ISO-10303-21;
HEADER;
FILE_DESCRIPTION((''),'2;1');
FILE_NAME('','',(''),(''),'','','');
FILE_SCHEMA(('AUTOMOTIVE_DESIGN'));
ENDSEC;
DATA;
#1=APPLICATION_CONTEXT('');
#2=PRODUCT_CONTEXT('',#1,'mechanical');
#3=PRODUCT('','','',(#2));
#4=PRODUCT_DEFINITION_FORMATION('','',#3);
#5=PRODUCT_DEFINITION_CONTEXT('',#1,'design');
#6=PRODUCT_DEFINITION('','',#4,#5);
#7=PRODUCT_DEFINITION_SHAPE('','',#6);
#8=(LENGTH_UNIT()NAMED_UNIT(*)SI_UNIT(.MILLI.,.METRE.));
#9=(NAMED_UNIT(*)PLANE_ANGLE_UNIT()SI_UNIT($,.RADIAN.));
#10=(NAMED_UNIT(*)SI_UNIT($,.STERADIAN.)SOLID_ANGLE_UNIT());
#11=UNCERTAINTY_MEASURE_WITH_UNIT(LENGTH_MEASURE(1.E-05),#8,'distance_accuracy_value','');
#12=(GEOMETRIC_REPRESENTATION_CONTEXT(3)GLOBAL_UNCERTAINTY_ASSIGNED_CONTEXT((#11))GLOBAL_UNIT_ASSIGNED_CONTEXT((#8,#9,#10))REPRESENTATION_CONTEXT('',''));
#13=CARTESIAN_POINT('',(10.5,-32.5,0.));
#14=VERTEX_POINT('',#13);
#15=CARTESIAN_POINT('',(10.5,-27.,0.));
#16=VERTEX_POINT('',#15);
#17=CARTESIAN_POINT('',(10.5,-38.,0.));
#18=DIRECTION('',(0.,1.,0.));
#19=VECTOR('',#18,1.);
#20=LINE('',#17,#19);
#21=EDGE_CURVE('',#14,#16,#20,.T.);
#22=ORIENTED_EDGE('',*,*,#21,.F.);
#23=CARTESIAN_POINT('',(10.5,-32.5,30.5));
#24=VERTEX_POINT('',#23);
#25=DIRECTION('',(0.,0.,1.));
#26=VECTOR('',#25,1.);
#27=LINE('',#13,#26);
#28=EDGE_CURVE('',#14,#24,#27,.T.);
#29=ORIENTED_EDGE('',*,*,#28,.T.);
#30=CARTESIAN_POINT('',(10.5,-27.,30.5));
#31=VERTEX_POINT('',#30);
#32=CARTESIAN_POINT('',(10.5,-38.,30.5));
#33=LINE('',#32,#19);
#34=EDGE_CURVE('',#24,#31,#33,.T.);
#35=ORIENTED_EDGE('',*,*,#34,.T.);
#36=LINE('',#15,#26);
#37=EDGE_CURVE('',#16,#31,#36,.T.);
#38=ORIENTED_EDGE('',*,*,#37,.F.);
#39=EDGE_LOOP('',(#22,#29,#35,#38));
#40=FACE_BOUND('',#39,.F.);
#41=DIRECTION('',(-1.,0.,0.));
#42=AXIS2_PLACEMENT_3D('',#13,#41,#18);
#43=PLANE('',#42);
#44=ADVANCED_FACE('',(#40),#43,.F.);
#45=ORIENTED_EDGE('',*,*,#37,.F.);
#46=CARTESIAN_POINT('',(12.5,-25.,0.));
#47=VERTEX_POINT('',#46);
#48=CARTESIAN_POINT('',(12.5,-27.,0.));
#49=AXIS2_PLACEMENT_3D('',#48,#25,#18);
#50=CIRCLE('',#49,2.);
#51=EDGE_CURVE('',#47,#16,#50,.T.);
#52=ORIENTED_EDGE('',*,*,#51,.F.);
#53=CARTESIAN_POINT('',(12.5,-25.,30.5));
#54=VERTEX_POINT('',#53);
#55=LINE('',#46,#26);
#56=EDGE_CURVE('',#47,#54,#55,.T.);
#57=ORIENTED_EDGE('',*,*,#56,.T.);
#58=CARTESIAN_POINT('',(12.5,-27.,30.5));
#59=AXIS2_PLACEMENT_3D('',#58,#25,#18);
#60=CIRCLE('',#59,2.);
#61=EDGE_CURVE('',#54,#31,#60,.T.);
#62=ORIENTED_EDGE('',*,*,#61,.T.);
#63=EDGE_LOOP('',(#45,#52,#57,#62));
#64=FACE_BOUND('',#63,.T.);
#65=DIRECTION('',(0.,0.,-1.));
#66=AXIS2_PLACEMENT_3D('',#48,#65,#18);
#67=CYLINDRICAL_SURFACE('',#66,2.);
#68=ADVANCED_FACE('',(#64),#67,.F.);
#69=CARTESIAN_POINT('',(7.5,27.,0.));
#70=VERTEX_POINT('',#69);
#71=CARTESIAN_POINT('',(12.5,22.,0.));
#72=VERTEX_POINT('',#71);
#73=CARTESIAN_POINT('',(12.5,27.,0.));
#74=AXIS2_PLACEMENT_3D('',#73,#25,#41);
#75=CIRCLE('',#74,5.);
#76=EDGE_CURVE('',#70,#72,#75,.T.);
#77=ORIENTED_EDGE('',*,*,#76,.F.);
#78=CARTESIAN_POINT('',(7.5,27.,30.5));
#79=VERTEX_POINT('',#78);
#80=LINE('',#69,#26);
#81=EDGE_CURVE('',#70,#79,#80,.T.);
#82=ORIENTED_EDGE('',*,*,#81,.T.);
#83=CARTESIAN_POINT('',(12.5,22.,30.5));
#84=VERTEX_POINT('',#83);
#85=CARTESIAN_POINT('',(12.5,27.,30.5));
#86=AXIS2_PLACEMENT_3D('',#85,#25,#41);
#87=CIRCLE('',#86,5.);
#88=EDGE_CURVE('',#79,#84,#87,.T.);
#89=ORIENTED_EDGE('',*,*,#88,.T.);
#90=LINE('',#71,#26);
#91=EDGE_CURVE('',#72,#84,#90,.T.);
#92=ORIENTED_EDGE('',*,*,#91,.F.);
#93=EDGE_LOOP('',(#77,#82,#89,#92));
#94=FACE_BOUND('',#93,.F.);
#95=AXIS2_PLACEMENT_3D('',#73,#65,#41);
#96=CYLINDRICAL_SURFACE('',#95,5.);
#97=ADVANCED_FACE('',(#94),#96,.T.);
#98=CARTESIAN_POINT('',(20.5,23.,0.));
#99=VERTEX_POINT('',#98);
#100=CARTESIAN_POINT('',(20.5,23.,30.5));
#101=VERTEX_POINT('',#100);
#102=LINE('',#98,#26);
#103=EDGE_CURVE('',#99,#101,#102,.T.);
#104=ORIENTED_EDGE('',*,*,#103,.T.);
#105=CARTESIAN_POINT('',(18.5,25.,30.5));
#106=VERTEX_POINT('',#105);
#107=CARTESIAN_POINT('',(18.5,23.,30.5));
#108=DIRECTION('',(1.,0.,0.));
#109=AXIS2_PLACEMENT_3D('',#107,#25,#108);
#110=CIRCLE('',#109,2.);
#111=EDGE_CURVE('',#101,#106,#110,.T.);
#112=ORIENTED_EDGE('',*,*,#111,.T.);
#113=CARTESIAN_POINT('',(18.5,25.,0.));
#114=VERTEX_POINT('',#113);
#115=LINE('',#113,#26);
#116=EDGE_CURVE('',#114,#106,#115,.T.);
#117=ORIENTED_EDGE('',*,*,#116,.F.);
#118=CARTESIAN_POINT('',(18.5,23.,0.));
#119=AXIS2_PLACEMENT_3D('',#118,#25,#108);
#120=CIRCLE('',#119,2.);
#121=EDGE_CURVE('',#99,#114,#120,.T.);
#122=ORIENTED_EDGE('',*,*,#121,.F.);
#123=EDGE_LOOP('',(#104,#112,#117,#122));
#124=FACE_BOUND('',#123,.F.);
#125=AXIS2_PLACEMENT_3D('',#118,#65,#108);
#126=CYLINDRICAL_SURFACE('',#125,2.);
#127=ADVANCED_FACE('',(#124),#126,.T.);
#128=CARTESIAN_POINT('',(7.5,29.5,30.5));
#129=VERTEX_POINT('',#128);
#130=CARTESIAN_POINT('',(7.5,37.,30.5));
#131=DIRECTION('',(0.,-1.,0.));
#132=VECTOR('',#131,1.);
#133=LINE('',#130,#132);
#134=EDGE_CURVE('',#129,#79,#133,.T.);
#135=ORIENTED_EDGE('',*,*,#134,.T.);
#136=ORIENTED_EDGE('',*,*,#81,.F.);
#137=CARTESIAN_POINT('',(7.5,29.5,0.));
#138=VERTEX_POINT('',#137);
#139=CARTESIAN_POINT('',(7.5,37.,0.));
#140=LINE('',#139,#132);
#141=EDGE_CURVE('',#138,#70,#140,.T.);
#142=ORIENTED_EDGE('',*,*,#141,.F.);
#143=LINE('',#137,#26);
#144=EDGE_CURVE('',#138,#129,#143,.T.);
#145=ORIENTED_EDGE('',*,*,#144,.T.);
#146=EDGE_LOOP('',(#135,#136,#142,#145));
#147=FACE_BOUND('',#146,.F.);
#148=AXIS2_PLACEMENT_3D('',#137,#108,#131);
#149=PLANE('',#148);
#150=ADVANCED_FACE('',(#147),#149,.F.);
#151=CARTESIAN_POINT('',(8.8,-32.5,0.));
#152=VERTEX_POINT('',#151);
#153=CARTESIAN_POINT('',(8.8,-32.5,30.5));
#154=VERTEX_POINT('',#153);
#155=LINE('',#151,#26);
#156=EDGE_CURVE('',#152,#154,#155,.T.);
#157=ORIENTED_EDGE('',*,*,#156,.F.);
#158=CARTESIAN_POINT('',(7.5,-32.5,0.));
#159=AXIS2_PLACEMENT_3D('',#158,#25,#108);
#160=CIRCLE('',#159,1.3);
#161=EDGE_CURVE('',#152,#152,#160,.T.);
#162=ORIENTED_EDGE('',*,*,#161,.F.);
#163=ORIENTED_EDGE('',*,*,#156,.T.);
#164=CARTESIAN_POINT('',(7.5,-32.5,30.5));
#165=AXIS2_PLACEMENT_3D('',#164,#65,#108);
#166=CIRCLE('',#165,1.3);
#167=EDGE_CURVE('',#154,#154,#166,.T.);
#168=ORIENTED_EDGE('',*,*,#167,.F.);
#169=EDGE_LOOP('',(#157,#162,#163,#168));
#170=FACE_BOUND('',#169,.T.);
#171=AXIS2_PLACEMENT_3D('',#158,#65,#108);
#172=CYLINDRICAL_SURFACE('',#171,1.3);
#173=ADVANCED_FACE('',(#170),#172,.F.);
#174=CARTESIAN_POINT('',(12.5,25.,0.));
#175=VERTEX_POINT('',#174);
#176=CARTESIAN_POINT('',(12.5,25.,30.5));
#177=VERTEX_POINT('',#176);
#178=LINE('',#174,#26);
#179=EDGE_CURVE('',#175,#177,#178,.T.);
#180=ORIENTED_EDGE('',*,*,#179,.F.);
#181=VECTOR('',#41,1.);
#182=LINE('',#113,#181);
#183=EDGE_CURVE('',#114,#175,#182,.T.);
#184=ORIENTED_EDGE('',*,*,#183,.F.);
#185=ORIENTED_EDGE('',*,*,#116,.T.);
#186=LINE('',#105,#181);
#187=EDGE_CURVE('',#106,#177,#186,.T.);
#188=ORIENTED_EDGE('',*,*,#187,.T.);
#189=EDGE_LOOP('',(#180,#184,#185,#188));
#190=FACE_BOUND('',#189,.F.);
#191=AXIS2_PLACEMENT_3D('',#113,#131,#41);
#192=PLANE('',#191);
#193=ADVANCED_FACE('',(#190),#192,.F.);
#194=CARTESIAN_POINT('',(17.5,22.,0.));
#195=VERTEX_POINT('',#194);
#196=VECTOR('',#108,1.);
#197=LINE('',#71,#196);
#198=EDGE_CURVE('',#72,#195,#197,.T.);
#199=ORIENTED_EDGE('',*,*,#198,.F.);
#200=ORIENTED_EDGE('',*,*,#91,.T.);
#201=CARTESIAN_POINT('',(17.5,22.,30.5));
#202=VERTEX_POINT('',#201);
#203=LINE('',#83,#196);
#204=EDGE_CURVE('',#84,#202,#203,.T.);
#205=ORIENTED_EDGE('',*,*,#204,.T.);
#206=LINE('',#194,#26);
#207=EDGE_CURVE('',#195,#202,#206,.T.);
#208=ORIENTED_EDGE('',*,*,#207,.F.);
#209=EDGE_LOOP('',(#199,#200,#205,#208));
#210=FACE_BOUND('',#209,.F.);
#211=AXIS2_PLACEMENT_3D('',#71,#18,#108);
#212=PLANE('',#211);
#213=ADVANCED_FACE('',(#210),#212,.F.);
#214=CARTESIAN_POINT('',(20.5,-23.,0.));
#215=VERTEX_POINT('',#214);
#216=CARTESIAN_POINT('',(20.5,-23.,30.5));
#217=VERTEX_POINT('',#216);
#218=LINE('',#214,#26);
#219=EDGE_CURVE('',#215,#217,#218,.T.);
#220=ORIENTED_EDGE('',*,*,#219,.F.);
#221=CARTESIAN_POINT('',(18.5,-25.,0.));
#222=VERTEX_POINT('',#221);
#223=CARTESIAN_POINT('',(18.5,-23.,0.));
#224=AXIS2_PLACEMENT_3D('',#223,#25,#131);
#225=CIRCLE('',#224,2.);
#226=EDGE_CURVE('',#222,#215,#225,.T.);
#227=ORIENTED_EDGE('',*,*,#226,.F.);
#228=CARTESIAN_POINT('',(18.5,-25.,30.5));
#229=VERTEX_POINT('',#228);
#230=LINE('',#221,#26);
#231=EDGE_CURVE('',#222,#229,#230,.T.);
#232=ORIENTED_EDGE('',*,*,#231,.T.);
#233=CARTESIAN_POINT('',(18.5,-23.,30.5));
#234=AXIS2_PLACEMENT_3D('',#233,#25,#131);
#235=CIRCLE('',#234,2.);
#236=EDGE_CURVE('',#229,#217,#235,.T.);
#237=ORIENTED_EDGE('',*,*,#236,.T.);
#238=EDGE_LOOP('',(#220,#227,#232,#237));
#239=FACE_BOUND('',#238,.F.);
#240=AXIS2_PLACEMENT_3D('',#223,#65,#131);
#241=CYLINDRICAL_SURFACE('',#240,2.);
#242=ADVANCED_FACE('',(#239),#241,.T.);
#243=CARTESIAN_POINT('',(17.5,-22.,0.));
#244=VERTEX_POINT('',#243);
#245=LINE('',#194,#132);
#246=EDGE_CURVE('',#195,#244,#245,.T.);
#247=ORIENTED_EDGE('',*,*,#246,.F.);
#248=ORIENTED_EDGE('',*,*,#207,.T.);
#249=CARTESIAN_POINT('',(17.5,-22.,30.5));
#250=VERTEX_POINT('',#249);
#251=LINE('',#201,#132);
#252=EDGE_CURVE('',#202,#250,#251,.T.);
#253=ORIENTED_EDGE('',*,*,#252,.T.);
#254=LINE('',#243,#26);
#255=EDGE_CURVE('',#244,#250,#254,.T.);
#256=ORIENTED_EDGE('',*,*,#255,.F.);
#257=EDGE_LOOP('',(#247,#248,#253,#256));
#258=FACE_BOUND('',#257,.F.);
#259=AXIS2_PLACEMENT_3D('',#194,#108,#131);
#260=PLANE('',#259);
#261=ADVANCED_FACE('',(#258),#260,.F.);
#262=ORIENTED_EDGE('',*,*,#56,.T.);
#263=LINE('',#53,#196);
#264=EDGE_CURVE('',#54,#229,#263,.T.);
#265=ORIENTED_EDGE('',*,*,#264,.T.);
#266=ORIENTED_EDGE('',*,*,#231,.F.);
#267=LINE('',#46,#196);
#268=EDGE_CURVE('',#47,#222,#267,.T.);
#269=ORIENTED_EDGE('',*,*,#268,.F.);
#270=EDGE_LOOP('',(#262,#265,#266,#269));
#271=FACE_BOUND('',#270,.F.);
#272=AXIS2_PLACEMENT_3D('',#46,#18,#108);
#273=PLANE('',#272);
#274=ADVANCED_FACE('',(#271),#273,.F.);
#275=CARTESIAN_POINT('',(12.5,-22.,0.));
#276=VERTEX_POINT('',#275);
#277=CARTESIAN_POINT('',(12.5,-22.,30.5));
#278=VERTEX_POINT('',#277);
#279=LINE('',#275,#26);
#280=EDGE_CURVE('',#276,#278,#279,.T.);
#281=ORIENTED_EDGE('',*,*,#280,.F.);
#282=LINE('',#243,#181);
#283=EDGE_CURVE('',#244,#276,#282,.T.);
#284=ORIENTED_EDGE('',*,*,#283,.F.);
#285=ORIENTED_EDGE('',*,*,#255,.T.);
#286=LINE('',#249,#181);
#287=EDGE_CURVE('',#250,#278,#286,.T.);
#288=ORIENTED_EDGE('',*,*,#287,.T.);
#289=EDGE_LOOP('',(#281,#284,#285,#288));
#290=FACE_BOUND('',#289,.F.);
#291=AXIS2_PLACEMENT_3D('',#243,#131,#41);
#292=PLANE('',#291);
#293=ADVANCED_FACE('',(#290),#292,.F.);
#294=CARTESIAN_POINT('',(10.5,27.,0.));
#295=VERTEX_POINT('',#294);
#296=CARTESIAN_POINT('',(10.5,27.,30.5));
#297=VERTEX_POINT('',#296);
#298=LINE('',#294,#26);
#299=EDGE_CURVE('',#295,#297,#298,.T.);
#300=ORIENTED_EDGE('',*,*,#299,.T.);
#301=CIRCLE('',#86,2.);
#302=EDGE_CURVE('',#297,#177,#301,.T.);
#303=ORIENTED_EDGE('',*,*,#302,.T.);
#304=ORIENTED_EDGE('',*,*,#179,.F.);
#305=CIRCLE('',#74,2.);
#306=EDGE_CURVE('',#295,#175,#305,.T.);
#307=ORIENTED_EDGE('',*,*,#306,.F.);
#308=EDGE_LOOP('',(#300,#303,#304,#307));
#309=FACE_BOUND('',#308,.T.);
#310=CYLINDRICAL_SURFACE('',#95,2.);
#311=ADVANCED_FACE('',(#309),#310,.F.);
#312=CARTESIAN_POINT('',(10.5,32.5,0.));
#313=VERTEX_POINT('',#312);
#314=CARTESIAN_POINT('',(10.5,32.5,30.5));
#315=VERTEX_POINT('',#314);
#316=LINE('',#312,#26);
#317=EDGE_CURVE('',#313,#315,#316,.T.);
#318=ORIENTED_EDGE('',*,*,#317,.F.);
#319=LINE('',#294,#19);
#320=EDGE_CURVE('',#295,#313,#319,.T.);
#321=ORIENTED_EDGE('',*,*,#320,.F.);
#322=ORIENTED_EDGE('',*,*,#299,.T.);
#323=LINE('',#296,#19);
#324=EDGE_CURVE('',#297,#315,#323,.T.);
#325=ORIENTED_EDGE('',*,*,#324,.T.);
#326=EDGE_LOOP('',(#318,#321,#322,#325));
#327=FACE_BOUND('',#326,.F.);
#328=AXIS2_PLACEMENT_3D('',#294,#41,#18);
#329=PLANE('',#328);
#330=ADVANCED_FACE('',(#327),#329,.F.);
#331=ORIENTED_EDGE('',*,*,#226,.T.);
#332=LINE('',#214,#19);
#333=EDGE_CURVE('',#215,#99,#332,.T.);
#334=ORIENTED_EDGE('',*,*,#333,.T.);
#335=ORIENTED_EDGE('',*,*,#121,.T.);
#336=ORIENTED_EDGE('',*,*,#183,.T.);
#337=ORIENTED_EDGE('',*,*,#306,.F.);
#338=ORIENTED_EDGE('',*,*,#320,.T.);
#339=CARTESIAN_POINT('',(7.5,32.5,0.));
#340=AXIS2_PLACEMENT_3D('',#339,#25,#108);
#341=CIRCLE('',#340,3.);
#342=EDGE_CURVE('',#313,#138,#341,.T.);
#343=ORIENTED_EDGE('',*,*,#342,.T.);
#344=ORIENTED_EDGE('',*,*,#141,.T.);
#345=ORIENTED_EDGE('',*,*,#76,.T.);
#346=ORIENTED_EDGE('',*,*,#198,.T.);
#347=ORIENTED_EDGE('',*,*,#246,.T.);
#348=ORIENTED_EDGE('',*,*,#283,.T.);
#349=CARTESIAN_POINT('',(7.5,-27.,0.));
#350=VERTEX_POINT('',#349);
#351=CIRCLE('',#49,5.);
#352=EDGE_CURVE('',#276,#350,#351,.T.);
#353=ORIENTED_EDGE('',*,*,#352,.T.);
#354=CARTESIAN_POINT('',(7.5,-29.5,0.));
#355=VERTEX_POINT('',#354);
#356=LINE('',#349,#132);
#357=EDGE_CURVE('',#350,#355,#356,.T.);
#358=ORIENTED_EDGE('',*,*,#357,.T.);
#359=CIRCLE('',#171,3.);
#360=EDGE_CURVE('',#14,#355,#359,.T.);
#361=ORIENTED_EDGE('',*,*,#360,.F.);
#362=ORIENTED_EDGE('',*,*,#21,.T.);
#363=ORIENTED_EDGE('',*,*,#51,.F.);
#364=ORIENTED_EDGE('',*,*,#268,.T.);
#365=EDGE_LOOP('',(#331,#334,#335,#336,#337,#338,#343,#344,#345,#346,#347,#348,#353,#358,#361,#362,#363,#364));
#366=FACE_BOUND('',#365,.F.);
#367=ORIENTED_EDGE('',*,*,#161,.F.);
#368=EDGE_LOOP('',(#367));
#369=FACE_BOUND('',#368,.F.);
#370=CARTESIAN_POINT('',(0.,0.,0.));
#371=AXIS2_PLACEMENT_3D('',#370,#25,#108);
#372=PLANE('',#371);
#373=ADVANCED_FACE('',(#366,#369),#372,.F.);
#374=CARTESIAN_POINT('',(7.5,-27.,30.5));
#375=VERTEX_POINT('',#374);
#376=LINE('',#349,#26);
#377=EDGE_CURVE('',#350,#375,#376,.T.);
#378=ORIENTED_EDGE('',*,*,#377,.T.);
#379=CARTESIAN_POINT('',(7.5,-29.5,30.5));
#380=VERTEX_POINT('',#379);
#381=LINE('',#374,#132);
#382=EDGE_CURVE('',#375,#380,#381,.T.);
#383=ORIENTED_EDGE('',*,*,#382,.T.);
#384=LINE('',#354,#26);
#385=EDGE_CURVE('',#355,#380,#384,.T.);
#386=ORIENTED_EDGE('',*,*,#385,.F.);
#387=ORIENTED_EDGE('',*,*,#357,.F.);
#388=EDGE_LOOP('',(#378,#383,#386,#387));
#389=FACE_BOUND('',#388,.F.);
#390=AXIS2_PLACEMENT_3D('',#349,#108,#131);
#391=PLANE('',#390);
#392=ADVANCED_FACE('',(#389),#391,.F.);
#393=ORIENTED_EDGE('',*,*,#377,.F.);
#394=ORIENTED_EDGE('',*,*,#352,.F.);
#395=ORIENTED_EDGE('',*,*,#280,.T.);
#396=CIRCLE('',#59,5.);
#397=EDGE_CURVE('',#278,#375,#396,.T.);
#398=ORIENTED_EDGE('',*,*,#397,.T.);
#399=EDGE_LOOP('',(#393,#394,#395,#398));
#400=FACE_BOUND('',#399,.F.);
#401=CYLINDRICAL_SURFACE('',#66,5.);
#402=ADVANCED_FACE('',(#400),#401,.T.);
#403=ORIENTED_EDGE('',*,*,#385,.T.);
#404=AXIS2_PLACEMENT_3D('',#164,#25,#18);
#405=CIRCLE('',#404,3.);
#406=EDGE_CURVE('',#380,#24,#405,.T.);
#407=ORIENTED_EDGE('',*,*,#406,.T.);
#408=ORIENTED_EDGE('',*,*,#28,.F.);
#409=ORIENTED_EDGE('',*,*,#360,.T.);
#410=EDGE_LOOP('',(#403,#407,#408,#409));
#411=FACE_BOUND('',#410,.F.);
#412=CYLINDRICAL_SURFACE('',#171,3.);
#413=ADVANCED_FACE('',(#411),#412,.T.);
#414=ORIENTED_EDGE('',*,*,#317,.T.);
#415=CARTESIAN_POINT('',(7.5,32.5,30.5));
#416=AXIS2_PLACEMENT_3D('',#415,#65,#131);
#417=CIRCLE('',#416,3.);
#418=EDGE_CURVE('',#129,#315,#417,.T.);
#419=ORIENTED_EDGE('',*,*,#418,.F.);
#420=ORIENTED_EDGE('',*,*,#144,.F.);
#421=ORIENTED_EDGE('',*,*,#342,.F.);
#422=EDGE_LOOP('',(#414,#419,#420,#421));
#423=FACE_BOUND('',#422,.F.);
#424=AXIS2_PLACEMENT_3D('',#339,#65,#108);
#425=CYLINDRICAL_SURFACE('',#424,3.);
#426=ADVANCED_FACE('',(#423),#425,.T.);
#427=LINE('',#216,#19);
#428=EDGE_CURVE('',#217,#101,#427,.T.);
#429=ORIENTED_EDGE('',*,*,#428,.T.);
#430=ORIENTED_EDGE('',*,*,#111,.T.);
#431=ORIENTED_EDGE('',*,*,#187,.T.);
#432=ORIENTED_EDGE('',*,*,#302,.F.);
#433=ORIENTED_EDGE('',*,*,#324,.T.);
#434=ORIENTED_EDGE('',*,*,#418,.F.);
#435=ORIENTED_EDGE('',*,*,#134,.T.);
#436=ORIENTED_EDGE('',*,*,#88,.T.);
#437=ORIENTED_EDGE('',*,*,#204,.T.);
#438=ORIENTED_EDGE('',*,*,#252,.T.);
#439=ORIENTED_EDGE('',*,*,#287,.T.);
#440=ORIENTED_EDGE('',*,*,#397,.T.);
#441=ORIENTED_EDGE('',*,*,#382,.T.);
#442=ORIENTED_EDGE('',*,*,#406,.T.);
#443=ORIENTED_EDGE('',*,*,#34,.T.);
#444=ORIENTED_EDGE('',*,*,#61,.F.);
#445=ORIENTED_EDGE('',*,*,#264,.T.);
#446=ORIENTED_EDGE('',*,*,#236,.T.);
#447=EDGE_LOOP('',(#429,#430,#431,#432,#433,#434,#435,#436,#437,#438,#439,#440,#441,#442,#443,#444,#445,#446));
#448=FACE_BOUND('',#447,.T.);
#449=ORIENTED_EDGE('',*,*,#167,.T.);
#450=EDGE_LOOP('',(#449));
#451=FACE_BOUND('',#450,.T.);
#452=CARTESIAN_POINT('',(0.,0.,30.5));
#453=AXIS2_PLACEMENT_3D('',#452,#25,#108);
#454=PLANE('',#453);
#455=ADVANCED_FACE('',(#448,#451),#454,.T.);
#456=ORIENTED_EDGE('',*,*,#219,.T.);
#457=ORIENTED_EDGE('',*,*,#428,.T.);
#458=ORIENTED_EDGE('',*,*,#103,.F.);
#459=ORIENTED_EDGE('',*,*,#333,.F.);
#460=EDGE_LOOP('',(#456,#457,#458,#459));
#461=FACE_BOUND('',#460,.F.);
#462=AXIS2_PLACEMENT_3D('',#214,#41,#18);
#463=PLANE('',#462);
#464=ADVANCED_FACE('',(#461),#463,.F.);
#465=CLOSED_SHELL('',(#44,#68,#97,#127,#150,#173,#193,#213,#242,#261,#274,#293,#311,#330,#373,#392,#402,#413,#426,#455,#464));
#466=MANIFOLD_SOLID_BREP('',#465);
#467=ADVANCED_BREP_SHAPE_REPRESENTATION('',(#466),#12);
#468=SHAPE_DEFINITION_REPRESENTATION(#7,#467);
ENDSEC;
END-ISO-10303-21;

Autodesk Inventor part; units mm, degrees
ref_plane "YZ Plane" through (0, 0, 0) normal (1, 0, 0) x (0, 1, 0)
ref_plane "XZ Plane" through (0, 0, 0) normal (0, 1, 0) x (-1, 0, 0)
sketch "スケッチ1" plane through (0, 0, 0) normal (0, 0, 1) x (1, 0, 0)
  circle A0 centre (-7.5, 32.5) radius 1.6 projected
  circle A1 centre (7.5, -32.5) radius 1.6 projected
  circle A2 centre (7.5, 32.5) radius 1.6 projected
  circle A3 centre (-7.5, -32.5) radius 1.6 projected
  circle A4 centre (15.5, 0) radius 1.1 projected
  circle A5 centre (10.5, -5) radius 1.1 projected
  circle A6 centre (5.5, 0) radius 1.1 projected
  circle A7 centre (10.5, 5) radius 1.1 projected
  arc A8 (-10.5, -38) -> (-8.5, -40) centre (-8.5, -38) ccw projected
  line L0 (-8.5, -40) -> (8.5, -40) projected
  arc A9 (8.5, -40) -> (10.5, -38) centre (8.5, -38) ccw projected
  line L1 (10.5, -38) -> (10.5, -27) projected
  arc A10 (12.5, -25) -> (10.5, -27) centre (12.5, -27) ccw projected
  line L2 (12.5, -25) -> (18.5, -25) projected
  arc A11 (18.5, -25) -> (20.5, -23) centre (18.5, -23) ccw projected
  line L3 (20.5, -23) -> (20.5, 23) projected
  arc A12 (20.5, 23) -> (18.5, 25) centre (18.5, 23) ccw projected
  line L4 (18.5, 25) -> (12.5, 25) projected
  arc A13 (10.5, 27) -> (12.5, 25) centre (12.5, 27) ccw projected
  line L5 (10.5, 27) -> (10.5, 38) projected
  arc A14 (10.5, 38) -> (8.5, 40) centre (8.5, 38) ccw projected
  line L6 (8.5, 40) -> (-8.5, 40) projected
  arc A15 (-8.5, 40) -> (-10.5, 38) centre (-8.5, 38) ccw projected
  line L7 (-10.5, 38) -> (-10.5, 27) projected
  arc A16 (-12.5, 25) -> (-10.5, 27) centre (-12.5, 27) ccw projected
  line L8 (-12.5, 25) -> (-27.5, 25) projected
  arc A17 (-27.5, 25) -> (-29.5, 23) centre (-27.5, 23) ccw projected
  line L9 (-29.5, 23) -> (-29.5, -23) projected
  arc A18 (-29.5, -23) -> (-27.5, -25) centre (-27.5, -23) ccw projected
  line L10 (-27.5, -25) -> (-12.5, -25) projected
  arc A19 (-10.5, -27) -> (-12.5, -25) centre (-12.5, -27) ccw projected
  line L11 (-10.5, -27) -> (-10.5, -38) projected
  circle A20 centre (-8, 38) radius 1.1 projected
  circle A21 centre (-8, -38) radius 1.1 projected
  circle A22 centre (8, -38) radius 1.1 projected
  circle A23 centre (8, 38) radius 1.1 projected
  circle A24 centre (7.5, -32.5) radius 3
  circle A25 centre (7.5, 32.5) radius 3
  line L12 (12.5, 22) -> (17.5, 22)
  line L13 (17.5, 22) -> (17.5, -22)
  line L14 (17.5, -22) -> (12.5, -22)
  arc A26 (12.5, -22) -> (7.5, -27) centre (12.5, -27) ccw
  line L15 (7.5, -27) -> (7.5, -37)
  line L16 (7.5, -37) -> (-7.5, -37)
  line L17 (-7.5, -37) -> (-7.5, -27)
  arc A27 (-7.5, -27) -> (-12.5, -22) centre (-12.5, -27) ccw
  line L18 (-12.5, -22) -> (-26.5, -22)
  line L19 (-26.5, -22) -> (-26.5, 22)
  line L20 (-26.5, 22) -> (-12.5, 22)
  arc A28 (-12.5, 22) -> (-7.5, 27) centre (-12.5, 27) ccw
  line L21 (-7.5, 27) -> (-7.5, 37)
  line L22 (-7.5, 37) -> (7.5, 37)
  line L23 (7.5, 37) -> (7.5, 27)
  arc A29 (7.5, 27) -> (12.5, 22) centre (12.5, 27) ccw
  circle A30 centre (7.5, -32.5) radius 1.3
  circle A31 centre (7.5, 32.5) radius 1.3
  point P0 (0, 0)
  point P1 (7.5, -29.5)
  point P2 (10.5, -32.5)
  point P3 (10.5, 32.5)
  point P4 (7.5, 29.5)
  point P5 (17.5, 0.4583)
  point P6 (17.5, -0.4583)
  point P7 (7.5, -33.8)
  point P8 (7.5, -31.2)
  point P9 (7.5, -30.9)
  point P10 (7.5, -34.1)
  point P11 (7.5, 35.5)
  point P12 (7.5, -35.5)
  dimension "d0" = 6
  dimension "d1" = 6
  dimension "d2" = 3
  dimension "d5" = 2.6
  dimension "d6" = 2.6
ref_plane "作業平面1" through (-29.5, -40, 30.5) normal (0, 0, -1) x (0, 1, 0)
extrude "押し出し1" add sketch "スケッチ1" along normal up to surface (30.5 mm away) contours L23 A2 A25 | A25 L23 A2 | L5 A13 L4 A12 L3 A11 L2 A10 L1 A24 L15 A26 L14 L13 L12 A29 L23 A25 | L23 A31 A2 | A2 L23 A31 | A31 L23 | L23 A31 | L15 A1 A24 | A24 L15 A1 | L15 A30 A1 | A1 L15 A30
properties part number "mune_1" material "ABS プラスチック"
